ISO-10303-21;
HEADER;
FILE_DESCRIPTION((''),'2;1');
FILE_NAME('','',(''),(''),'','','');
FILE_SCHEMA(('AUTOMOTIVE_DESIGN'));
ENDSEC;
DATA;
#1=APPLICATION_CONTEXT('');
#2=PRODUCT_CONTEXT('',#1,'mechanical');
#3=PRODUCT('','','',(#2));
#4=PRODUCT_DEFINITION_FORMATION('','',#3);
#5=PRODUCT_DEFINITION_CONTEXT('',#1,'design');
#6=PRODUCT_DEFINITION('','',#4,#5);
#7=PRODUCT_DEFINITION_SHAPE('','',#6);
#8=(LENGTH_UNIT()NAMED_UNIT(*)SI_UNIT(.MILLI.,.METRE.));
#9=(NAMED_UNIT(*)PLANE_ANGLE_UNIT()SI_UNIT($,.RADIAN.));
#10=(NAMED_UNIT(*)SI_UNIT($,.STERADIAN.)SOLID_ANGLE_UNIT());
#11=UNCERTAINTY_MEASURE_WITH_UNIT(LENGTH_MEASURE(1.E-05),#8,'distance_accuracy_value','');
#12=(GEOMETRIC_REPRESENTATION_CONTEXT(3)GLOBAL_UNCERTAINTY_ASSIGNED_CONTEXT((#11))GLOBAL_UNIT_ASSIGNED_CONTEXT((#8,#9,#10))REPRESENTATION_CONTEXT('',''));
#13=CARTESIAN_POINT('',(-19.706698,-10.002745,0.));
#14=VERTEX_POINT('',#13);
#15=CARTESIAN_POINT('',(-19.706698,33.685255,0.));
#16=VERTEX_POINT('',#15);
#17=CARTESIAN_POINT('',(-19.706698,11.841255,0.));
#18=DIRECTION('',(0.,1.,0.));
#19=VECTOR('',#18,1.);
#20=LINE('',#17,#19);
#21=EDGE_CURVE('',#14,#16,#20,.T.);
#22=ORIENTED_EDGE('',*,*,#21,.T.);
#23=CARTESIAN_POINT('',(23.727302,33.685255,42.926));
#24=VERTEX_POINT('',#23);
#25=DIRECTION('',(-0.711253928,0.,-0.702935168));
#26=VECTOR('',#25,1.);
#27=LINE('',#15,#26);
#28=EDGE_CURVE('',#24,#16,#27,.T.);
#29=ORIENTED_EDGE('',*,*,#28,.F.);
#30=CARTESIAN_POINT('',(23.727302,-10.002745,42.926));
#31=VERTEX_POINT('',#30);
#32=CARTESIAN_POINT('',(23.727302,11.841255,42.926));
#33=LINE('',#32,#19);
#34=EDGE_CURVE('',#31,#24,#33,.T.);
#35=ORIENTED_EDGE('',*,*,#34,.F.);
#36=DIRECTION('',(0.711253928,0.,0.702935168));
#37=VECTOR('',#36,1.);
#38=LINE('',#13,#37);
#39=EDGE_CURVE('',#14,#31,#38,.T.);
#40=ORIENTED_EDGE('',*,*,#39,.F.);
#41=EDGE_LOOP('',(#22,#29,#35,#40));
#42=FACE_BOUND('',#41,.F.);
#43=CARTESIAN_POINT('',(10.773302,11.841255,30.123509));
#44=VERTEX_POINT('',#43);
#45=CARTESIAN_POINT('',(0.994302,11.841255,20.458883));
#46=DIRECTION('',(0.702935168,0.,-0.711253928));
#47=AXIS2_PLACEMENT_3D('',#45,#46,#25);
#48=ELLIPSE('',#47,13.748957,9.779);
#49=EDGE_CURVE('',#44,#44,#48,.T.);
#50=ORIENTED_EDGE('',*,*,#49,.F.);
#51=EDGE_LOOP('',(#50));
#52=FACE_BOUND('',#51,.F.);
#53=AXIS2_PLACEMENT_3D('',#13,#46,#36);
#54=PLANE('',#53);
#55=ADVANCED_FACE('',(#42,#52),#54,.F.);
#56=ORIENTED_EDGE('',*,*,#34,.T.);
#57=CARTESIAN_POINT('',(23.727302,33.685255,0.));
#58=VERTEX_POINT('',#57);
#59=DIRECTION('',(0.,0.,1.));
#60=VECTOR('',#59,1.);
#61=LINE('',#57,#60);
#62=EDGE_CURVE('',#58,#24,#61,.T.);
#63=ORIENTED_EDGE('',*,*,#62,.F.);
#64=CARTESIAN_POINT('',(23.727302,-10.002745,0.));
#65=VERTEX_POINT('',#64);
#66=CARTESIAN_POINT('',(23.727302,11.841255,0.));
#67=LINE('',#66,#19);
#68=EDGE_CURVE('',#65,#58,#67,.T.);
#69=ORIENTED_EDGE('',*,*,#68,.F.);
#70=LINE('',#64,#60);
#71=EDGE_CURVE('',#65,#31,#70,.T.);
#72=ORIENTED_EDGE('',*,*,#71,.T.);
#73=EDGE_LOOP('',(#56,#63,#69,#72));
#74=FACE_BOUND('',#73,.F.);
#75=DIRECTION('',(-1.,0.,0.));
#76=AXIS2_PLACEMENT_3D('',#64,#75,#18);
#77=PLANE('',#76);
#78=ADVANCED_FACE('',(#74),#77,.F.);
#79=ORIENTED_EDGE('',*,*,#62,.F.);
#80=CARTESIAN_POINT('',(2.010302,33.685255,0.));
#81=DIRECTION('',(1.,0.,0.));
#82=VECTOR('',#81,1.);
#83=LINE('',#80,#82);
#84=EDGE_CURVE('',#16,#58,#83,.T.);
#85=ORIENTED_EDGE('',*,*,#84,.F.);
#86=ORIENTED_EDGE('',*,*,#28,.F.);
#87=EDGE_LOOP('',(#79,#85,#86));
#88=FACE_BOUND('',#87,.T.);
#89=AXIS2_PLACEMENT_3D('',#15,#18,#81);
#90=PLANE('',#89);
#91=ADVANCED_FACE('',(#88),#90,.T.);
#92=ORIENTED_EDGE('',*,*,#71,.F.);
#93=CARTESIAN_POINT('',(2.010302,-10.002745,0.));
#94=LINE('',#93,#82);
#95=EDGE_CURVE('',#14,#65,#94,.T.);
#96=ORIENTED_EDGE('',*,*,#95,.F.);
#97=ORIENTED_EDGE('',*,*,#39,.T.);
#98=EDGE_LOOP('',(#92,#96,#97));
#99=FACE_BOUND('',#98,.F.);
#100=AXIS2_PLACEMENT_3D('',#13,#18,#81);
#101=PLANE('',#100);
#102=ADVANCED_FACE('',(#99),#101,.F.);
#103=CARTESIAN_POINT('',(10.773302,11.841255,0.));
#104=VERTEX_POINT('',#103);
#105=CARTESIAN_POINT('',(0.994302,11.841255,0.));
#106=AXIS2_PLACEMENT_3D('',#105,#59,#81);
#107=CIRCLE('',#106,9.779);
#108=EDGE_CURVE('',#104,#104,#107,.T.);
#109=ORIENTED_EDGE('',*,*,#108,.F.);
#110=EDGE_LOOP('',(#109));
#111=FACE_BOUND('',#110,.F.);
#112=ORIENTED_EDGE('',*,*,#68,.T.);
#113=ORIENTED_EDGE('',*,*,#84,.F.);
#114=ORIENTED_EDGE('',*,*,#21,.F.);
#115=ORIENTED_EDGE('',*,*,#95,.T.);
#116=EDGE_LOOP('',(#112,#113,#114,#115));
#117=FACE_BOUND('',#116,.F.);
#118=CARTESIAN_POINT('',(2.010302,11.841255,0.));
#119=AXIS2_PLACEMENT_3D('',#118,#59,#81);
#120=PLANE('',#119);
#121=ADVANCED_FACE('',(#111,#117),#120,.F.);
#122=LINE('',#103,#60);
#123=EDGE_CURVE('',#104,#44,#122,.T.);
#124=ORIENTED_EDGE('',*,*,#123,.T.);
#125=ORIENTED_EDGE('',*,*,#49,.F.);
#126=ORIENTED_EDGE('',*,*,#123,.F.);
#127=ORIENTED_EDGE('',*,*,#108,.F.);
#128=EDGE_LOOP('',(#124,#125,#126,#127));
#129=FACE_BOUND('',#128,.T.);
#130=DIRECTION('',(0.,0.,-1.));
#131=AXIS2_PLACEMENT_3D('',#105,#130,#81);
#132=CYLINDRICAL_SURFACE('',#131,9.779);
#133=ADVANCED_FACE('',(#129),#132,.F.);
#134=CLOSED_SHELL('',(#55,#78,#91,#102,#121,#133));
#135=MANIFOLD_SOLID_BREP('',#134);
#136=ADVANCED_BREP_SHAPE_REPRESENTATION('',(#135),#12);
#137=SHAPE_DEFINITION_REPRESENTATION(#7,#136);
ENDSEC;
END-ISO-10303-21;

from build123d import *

# Parameters (mm, degrees)
F0_W     = 43.434
F0_H     = 43.688
F0_R     = 9.779
F1_DEPTH = 42.926
F3_DEPTH = 43.689


with BuildPart() as f1:
    # F0 (on Top) → F1 (new body)
    with BuildSketch(Plane.XY):
        with Locations((2.010302, 11.841255)):
            Rectangle(F0_W, F0_H)
        with Locations((0.994302, 11.841255)):
            Circle(F0_R, mode=Mode.SUBTRACT)
    extrude(amount=F1_DEPTH)

    # F2 (on face) → F3 (cut, through all)
    with BuildSketch(Plane.XZ.offset(10.002745)):
        Polygon((-19.706698, 0), (23.727302, 42.926), (-19.706698, 42.926), align=None)
    extrude(amount=-F3_DEPTH, mode=Mode.SUBTRACT)


solid = f1.part
